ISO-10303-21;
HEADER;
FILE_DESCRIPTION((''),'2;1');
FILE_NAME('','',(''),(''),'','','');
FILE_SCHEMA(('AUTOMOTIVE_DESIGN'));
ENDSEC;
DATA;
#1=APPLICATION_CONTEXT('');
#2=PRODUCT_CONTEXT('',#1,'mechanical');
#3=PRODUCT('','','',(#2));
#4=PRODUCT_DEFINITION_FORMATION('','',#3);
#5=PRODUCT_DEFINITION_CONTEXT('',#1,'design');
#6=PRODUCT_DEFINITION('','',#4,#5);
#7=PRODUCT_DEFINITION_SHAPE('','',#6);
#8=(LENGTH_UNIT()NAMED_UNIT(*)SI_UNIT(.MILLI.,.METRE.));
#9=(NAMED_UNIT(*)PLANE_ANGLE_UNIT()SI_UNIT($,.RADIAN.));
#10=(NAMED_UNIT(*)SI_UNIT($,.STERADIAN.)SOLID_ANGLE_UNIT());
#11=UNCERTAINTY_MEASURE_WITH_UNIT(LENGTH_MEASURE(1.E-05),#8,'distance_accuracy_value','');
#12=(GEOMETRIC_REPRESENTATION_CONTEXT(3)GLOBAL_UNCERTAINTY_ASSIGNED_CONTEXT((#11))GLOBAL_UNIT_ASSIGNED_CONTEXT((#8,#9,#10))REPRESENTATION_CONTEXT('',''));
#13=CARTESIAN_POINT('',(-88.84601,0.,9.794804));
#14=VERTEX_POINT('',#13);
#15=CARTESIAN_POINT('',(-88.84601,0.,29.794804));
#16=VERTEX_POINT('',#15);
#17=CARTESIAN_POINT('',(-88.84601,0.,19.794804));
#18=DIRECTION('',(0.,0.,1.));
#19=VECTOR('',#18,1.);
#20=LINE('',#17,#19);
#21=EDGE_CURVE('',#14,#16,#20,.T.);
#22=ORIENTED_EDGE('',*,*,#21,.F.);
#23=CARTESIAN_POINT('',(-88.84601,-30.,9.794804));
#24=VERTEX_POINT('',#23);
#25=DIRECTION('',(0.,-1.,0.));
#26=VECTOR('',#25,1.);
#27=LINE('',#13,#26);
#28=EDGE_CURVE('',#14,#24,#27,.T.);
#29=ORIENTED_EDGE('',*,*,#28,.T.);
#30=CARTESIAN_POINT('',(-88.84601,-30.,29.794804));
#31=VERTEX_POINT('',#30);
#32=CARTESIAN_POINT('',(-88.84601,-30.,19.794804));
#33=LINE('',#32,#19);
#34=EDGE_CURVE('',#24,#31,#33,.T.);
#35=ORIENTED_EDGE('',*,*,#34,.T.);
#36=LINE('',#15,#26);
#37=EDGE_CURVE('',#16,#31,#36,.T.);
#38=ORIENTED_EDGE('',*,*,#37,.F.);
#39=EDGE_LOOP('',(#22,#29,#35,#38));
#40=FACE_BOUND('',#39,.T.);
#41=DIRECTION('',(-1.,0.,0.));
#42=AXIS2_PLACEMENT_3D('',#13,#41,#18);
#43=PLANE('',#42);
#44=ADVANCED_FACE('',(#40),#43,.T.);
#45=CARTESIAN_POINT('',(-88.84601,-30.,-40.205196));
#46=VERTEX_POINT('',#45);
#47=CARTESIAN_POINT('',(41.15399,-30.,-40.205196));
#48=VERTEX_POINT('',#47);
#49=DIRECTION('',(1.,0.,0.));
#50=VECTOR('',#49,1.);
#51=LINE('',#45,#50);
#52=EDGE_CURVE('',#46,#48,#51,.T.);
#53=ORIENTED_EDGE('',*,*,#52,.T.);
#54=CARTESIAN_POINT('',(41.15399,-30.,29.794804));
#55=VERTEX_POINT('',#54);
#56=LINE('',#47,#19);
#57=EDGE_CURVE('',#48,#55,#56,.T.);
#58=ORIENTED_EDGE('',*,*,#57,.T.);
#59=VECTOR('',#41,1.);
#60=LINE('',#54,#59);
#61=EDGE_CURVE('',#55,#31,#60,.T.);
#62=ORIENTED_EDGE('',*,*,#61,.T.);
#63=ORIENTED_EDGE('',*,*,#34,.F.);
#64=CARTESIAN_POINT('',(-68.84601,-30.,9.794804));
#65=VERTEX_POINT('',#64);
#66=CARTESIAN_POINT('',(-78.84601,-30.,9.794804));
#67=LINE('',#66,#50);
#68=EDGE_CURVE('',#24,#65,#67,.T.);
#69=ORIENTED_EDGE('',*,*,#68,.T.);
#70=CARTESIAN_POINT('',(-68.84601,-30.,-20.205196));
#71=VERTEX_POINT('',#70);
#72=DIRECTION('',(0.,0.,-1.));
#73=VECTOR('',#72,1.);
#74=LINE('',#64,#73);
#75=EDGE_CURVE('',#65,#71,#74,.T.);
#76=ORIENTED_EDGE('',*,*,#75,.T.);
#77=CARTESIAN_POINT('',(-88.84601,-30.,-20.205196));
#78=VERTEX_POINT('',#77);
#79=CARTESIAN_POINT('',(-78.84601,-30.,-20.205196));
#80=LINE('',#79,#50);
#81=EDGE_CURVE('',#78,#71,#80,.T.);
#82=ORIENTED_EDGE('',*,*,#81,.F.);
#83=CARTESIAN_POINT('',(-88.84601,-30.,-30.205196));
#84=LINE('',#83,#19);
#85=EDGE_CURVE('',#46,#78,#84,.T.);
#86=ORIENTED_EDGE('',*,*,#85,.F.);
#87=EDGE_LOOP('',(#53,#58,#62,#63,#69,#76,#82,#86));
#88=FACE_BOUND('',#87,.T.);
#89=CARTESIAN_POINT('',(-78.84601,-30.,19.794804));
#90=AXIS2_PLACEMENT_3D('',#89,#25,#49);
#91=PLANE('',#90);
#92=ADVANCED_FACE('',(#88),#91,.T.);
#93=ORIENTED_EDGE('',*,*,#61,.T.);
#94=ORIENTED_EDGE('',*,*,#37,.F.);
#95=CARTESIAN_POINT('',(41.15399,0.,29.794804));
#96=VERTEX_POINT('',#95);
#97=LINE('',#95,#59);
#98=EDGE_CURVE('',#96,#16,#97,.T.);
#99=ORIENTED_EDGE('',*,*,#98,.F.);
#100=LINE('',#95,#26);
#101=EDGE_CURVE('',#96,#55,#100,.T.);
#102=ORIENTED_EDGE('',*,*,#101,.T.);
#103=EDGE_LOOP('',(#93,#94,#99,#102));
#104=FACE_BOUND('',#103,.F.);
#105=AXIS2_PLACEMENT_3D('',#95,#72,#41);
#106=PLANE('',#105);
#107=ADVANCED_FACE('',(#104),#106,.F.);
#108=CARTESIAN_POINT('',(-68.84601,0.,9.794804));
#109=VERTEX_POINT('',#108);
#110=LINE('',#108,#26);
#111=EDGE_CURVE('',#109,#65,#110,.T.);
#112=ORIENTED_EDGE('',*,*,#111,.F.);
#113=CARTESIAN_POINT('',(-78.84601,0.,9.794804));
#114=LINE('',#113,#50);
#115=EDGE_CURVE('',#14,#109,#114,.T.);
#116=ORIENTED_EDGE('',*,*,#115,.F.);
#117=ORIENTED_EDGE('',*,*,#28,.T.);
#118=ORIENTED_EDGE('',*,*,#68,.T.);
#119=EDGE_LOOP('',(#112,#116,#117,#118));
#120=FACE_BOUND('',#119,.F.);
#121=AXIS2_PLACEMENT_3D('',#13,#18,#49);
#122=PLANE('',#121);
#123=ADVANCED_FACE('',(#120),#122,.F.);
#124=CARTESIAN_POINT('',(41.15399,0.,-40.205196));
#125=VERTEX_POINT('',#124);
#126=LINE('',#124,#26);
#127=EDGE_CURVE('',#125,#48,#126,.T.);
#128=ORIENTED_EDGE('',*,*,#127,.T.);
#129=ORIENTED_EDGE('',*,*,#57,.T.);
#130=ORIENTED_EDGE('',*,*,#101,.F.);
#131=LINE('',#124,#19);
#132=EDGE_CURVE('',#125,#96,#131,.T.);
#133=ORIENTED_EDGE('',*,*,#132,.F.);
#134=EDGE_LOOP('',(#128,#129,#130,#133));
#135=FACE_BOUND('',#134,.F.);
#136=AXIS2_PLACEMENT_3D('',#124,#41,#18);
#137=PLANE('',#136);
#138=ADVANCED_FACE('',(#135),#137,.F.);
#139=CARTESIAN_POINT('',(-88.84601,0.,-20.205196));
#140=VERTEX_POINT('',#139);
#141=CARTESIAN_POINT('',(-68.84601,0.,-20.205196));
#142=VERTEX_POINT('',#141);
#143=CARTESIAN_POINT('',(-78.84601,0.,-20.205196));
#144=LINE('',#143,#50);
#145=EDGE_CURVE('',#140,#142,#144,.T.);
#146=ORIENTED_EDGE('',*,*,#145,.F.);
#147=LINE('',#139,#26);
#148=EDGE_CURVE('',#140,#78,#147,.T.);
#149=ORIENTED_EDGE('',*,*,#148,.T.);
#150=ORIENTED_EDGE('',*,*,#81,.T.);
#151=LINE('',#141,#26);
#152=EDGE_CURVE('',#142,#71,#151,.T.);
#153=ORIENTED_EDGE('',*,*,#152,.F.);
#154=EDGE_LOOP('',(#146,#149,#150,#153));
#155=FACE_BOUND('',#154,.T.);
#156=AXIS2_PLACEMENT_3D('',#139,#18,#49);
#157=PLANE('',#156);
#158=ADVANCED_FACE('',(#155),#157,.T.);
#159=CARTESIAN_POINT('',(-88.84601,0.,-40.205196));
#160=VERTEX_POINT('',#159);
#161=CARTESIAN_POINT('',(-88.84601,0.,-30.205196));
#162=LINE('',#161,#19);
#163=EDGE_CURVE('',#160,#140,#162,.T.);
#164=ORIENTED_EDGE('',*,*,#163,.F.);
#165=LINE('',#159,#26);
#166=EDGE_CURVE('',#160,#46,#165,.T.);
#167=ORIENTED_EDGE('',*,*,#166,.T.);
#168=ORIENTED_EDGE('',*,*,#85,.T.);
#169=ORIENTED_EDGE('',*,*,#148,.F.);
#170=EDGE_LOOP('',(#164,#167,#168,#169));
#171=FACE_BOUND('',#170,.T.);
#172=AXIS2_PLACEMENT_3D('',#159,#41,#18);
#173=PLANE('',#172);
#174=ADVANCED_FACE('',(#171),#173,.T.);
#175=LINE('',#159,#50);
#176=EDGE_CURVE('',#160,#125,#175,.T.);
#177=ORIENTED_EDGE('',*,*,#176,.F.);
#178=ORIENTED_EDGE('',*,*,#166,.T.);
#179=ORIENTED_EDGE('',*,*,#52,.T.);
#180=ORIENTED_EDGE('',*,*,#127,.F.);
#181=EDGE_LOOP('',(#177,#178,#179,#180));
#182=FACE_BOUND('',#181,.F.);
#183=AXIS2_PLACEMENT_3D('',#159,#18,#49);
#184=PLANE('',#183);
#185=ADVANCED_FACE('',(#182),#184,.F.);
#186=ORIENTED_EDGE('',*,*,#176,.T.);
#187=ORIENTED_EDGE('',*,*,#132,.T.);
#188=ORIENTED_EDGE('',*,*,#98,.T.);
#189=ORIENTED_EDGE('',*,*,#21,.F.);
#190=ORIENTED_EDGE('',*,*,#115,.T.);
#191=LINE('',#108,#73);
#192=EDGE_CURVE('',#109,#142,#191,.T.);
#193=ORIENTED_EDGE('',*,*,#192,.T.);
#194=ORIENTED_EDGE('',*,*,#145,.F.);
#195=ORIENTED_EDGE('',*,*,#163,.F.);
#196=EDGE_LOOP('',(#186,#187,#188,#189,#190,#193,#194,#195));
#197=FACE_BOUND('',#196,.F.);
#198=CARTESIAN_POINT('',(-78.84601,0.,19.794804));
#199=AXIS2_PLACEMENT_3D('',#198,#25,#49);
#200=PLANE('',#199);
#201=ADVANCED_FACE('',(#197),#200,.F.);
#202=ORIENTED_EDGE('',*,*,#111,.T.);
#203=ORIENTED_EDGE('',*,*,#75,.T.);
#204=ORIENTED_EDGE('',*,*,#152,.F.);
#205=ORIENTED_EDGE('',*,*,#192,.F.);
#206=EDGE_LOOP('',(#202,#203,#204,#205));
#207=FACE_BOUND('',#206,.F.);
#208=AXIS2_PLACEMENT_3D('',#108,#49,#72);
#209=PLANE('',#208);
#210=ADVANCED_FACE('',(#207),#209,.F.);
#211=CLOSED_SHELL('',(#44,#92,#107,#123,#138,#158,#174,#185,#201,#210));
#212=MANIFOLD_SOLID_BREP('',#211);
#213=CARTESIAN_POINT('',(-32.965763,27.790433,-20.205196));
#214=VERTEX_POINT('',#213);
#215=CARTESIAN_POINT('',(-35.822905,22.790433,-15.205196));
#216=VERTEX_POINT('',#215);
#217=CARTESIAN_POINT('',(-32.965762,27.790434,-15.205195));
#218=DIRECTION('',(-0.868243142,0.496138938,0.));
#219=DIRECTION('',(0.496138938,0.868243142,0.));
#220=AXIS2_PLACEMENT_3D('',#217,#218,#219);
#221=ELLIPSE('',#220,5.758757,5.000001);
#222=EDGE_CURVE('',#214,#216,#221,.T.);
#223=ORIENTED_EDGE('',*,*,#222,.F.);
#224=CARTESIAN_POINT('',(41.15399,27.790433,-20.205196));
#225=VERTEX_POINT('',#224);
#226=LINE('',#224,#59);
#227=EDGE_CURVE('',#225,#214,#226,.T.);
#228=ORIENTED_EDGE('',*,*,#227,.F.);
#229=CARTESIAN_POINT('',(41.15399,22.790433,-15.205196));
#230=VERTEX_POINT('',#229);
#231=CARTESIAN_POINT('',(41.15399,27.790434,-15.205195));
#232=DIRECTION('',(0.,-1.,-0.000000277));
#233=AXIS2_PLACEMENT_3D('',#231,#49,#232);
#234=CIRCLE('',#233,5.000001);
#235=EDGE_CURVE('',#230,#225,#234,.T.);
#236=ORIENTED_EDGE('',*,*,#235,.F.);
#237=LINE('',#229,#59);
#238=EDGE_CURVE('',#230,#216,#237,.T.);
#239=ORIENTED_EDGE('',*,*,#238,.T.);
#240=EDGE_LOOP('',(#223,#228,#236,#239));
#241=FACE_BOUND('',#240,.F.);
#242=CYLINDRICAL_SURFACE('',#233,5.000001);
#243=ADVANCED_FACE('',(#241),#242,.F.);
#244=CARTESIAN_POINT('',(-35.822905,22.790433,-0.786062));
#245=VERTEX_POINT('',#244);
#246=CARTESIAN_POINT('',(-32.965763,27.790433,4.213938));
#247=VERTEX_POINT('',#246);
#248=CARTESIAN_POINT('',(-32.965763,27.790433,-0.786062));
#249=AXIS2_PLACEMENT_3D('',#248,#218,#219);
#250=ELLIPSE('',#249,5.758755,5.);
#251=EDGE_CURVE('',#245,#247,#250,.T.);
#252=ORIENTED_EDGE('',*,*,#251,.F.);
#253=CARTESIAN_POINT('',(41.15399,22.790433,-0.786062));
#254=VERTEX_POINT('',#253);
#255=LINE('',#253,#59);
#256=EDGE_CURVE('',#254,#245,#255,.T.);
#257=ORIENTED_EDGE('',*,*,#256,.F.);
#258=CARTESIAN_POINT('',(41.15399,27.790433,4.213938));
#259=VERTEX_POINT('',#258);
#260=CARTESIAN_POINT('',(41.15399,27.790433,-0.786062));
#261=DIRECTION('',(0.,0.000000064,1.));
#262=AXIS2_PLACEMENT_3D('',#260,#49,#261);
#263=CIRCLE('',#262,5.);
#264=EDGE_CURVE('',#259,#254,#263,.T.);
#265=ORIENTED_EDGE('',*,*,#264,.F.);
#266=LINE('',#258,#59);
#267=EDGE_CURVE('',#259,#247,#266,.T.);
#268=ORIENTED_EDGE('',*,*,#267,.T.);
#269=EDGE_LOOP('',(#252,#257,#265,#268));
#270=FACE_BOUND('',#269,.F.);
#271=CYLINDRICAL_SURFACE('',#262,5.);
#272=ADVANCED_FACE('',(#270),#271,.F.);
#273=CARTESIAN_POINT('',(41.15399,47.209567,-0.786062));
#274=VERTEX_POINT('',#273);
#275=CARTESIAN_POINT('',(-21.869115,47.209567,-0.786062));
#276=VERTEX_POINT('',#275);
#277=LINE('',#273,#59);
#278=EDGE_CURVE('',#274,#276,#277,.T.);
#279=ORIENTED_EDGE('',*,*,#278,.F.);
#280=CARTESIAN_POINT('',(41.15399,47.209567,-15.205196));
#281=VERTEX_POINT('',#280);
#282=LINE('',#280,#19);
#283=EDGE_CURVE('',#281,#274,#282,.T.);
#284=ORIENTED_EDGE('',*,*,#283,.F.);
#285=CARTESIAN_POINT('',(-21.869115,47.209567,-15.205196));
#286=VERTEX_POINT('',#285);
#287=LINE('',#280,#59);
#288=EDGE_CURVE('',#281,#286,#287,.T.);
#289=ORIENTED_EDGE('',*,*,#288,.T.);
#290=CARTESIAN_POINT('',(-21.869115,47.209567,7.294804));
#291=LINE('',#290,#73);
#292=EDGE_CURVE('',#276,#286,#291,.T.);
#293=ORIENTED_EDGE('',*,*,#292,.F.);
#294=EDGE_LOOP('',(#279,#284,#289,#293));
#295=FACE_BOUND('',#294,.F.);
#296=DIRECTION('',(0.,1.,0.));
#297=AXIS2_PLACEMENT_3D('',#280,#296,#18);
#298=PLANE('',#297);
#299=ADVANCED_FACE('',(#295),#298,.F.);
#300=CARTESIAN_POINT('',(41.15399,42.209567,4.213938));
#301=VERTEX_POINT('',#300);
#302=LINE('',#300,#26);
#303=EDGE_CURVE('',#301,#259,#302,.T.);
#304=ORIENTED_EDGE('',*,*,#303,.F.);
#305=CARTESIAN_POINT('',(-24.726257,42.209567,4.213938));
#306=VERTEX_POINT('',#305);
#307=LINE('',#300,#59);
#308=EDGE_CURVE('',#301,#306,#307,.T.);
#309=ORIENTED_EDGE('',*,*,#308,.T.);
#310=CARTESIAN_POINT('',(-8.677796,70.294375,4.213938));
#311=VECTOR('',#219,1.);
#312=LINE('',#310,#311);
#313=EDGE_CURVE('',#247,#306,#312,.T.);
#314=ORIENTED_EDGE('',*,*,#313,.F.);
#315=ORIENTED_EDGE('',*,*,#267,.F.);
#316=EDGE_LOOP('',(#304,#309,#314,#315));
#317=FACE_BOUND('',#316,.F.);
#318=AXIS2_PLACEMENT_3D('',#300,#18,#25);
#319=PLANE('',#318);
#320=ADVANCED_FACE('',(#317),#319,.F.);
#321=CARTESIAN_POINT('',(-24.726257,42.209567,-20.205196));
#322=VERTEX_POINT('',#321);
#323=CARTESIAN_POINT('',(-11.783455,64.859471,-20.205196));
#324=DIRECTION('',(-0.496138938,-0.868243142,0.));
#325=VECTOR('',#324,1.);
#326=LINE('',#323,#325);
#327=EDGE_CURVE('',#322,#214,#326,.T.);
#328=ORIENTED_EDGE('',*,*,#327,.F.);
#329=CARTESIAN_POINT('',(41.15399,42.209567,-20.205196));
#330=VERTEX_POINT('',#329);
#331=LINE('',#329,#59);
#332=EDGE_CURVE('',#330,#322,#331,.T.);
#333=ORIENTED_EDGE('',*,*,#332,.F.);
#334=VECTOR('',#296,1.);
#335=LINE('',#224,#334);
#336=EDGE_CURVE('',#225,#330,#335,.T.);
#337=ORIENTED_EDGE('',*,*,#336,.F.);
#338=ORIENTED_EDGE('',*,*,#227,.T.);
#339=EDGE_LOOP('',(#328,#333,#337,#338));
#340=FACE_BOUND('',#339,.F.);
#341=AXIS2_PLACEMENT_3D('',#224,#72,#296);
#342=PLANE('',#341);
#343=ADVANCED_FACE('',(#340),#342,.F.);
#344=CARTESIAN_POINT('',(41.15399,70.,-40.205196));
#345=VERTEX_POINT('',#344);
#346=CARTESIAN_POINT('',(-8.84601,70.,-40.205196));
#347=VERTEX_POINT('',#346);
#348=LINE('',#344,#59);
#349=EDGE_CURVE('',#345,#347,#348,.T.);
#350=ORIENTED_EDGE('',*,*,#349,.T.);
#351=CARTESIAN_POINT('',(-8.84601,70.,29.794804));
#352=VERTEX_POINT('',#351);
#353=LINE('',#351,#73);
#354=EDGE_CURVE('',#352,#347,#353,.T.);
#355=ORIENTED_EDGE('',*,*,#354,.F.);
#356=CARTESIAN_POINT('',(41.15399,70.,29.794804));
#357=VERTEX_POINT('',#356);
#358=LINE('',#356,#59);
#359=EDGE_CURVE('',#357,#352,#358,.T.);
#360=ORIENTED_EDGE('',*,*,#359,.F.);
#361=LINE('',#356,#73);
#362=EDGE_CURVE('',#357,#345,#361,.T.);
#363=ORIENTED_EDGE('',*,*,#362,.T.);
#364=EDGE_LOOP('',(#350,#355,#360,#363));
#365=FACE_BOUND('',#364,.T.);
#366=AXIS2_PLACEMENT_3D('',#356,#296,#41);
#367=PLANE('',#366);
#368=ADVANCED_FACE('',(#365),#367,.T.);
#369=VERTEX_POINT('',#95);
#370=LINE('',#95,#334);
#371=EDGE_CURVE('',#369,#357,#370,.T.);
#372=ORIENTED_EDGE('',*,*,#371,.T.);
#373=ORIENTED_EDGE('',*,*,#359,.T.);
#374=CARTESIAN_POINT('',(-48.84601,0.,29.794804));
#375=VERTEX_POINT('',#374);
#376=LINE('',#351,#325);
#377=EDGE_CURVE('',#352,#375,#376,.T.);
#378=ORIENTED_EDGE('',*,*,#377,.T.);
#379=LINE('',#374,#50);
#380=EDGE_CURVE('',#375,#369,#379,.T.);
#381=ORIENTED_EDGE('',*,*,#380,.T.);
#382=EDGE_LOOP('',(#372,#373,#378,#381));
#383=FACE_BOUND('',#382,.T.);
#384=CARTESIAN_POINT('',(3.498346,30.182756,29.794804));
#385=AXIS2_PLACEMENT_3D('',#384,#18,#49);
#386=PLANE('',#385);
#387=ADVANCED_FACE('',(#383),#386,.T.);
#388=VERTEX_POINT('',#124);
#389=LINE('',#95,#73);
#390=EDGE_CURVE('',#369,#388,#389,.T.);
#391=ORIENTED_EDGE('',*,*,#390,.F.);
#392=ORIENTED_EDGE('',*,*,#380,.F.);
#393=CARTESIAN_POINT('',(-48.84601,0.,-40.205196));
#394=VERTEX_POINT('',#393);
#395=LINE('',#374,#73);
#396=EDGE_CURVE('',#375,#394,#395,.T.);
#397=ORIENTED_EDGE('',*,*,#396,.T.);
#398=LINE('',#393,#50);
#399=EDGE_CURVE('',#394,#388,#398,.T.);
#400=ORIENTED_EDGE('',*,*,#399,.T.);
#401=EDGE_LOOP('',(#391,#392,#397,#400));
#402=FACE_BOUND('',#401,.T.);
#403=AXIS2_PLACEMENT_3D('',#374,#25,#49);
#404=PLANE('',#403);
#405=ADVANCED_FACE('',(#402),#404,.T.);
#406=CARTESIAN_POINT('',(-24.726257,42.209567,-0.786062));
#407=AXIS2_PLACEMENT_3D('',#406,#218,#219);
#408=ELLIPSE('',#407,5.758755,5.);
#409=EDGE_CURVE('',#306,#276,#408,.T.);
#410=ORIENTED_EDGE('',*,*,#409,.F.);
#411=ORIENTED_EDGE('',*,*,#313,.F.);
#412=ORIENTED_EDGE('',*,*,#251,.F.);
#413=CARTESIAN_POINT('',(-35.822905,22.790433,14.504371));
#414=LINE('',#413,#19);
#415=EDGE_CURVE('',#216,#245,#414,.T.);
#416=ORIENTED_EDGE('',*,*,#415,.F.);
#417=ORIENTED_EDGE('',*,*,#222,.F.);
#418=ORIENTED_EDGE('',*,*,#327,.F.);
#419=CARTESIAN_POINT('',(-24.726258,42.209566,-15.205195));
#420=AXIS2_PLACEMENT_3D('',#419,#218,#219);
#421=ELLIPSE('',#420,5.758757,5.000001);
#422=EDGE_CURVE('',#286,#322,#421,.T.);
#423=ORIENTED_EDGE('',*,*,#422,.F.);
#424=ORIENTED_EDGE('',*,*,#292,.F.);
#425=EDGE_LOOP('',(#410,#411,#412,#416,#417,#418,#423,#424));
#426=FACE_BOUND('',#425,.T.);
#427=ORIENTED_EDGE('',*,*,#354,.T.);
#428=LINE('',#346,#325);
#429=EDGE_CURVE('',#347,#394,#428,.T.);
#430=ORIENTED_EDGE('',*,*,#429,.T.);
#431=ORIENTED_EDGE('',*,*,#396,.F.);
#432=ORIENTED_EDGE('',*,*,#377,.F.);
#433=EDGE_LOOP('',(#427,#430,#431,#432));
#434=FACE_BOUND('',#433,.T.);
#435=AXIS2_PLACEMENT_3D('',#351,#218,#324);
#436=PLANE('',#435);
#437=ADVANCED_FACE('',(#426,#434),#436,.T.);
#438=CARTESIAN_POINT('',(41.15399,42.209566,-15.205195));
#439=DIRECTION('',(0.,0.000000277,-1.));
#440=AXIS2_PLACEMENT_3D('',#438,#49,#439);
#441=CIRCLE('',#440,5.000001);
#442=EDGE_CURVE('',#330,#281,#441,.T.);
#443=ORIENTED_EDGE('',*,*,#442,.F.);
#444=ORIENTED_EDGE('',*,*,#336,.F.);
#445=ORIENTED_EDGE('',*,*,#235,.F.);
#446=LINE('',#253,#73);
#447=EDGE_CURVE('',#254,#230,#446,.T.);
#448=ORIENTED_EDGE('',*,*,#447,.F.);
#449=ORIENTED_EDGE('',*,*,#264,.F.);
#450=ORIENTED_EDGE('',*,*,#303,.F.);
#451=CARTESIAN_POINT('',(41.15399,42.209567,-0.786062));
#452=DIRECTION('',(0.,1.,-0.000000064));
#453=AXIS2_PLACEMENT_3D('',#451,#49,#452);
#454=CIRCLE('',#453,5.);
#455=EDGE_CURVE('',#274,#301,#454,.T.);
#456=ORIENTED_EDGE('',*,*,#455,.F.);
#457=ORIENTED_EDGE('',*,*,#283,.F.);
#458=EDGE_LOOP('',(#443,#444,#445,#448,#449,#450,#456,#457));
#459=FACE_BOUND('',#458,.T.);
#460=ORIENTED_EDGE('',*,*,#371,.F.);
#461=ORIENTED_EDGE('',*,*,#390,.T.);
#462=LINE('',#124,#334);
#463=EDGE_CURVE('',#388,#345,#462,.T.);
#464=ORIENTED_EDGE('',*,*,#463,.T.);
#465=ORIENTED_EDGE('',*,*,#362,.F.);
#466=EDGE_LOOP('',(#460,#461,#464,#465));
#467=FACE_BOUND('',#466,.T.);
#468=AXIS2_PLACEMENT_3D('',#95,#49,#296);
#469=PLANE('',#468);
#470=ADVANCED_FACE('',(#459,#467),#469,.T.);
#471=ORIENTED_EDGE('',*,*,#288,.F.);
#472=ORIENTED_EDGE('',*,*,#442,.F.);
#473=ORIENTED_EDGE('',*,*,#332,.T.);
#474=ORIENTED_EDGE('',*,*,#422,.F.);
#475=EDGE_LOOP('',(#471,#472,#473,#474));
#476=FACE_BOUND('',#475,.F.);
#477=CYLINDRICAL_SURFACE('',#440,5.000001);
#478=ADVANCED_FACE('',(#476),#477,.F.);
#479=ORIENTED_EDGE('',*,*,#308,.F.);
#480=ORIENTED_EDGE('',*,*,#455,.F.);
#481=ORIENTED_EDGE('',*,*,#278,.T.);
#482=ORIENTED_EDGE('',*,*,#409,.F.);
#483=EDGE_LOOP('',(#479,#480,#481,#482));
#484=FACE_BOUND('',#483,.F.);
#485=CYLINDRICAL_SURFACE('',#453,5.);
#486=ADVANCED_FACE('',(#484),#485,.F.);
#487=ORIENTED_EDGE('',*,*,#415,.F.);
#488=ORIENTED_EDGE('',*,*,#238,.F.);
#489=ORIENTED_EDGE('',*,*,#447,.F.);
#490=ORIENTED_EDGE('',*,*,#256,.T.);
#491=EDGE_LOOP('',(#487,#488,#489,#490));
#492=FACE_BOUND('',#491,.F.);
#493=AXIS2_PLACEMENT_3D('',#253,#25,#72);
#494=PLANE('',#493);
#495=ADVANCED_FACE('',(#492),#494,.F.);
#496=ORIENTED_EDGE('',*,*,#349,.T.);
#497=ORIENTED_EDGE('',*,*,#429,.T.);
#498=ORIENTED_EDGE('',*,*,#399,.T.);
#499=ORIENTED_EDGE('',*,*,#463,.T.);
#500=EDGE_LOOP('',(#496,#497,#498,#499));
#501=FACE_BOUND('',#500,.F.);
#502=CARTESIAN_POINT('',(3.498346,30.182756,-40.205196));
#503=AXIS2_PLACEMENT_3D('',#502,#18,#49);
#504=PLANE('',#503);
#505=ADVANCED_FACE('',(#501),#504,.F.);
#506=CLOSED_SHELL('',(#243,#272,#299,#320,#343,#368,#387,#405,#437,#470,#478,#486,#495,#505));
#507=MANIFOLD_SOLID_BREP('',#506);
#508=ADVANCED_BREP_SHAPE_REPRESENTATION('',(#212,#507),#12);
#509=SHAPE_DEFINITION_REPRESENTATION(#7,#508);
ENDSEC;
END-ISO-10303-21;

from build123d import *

# Parameters (mm, degrees)
F0_W     = 20
F0_H     = 20
F1_DEPTH = 30
F3_DEPTH = 70
F5_DEPTH = 1000


with BuildPart() as f1:
    # F0 (on Front) → F1 (new body)
    with BuildSketch(Plane.XZ):
        with Locations((-78.84601, 19.794804)):
            Rectangle(F0_W, F0_H)
        Polygon((41.15399, 29.794804), (-68.84601, 29.794804), (-68.84601, 9.794804), (-68.84601, -20.205196), (-68.84601, -40.205196), (41.15399, -40.205196), align=None)
        with Locations((-78.84601, -30.205196)):
            Rectangle(F0_W, F0_H)
    extrude(amount=F1_DEPTH)


with BuildPart() as f3:
    # F2 (on face) → F3 (new body)
    with BuildSketch(Plane.XY.offset(29.794804)):
        Polygon((-48.84601, 0), (41.15399, 0), (41.15399, 70), (-8.84601, 70), align=None)
    extrude(amount=-F3_DEPTH)

    # F4 (on face) → F5 (cut)
    with BuildSketch(Plane.YZ.offset(41.15399)):
        with BuildLine():
            ThreePointArc((27.790433, 4.213938), (24.254899, 2.749472), (22.790433, -0.786062))
            Line((22.790433, -0.786062), (22.790433, -15.205196))
            ThreePointArc((22.790433, -15.205196), (24.254899, -18.740729), (27.790433, -20.205196))
            Line((27.790433, -20.205196), (42.209567, -20.205196))
            ThreePointArc((42.209567, -20.205196), (45.745101, -18.740729), (47.209567, -15.205196))
            Line((47.209567, -15.205196), (47.209567, -0.786062))
            ThreePointArc((47.209567, -0.786062), (45.745101, 2.749472), (42.209567, 4.213938))
            Line((42.209567, 4.213938), (27.790433, 4.213938))
        make_face()
    extrude(amount=-F5_DEPTH, mode=Mode.SUBTRACT)


solid = Compound([f1.part, f3.part])
